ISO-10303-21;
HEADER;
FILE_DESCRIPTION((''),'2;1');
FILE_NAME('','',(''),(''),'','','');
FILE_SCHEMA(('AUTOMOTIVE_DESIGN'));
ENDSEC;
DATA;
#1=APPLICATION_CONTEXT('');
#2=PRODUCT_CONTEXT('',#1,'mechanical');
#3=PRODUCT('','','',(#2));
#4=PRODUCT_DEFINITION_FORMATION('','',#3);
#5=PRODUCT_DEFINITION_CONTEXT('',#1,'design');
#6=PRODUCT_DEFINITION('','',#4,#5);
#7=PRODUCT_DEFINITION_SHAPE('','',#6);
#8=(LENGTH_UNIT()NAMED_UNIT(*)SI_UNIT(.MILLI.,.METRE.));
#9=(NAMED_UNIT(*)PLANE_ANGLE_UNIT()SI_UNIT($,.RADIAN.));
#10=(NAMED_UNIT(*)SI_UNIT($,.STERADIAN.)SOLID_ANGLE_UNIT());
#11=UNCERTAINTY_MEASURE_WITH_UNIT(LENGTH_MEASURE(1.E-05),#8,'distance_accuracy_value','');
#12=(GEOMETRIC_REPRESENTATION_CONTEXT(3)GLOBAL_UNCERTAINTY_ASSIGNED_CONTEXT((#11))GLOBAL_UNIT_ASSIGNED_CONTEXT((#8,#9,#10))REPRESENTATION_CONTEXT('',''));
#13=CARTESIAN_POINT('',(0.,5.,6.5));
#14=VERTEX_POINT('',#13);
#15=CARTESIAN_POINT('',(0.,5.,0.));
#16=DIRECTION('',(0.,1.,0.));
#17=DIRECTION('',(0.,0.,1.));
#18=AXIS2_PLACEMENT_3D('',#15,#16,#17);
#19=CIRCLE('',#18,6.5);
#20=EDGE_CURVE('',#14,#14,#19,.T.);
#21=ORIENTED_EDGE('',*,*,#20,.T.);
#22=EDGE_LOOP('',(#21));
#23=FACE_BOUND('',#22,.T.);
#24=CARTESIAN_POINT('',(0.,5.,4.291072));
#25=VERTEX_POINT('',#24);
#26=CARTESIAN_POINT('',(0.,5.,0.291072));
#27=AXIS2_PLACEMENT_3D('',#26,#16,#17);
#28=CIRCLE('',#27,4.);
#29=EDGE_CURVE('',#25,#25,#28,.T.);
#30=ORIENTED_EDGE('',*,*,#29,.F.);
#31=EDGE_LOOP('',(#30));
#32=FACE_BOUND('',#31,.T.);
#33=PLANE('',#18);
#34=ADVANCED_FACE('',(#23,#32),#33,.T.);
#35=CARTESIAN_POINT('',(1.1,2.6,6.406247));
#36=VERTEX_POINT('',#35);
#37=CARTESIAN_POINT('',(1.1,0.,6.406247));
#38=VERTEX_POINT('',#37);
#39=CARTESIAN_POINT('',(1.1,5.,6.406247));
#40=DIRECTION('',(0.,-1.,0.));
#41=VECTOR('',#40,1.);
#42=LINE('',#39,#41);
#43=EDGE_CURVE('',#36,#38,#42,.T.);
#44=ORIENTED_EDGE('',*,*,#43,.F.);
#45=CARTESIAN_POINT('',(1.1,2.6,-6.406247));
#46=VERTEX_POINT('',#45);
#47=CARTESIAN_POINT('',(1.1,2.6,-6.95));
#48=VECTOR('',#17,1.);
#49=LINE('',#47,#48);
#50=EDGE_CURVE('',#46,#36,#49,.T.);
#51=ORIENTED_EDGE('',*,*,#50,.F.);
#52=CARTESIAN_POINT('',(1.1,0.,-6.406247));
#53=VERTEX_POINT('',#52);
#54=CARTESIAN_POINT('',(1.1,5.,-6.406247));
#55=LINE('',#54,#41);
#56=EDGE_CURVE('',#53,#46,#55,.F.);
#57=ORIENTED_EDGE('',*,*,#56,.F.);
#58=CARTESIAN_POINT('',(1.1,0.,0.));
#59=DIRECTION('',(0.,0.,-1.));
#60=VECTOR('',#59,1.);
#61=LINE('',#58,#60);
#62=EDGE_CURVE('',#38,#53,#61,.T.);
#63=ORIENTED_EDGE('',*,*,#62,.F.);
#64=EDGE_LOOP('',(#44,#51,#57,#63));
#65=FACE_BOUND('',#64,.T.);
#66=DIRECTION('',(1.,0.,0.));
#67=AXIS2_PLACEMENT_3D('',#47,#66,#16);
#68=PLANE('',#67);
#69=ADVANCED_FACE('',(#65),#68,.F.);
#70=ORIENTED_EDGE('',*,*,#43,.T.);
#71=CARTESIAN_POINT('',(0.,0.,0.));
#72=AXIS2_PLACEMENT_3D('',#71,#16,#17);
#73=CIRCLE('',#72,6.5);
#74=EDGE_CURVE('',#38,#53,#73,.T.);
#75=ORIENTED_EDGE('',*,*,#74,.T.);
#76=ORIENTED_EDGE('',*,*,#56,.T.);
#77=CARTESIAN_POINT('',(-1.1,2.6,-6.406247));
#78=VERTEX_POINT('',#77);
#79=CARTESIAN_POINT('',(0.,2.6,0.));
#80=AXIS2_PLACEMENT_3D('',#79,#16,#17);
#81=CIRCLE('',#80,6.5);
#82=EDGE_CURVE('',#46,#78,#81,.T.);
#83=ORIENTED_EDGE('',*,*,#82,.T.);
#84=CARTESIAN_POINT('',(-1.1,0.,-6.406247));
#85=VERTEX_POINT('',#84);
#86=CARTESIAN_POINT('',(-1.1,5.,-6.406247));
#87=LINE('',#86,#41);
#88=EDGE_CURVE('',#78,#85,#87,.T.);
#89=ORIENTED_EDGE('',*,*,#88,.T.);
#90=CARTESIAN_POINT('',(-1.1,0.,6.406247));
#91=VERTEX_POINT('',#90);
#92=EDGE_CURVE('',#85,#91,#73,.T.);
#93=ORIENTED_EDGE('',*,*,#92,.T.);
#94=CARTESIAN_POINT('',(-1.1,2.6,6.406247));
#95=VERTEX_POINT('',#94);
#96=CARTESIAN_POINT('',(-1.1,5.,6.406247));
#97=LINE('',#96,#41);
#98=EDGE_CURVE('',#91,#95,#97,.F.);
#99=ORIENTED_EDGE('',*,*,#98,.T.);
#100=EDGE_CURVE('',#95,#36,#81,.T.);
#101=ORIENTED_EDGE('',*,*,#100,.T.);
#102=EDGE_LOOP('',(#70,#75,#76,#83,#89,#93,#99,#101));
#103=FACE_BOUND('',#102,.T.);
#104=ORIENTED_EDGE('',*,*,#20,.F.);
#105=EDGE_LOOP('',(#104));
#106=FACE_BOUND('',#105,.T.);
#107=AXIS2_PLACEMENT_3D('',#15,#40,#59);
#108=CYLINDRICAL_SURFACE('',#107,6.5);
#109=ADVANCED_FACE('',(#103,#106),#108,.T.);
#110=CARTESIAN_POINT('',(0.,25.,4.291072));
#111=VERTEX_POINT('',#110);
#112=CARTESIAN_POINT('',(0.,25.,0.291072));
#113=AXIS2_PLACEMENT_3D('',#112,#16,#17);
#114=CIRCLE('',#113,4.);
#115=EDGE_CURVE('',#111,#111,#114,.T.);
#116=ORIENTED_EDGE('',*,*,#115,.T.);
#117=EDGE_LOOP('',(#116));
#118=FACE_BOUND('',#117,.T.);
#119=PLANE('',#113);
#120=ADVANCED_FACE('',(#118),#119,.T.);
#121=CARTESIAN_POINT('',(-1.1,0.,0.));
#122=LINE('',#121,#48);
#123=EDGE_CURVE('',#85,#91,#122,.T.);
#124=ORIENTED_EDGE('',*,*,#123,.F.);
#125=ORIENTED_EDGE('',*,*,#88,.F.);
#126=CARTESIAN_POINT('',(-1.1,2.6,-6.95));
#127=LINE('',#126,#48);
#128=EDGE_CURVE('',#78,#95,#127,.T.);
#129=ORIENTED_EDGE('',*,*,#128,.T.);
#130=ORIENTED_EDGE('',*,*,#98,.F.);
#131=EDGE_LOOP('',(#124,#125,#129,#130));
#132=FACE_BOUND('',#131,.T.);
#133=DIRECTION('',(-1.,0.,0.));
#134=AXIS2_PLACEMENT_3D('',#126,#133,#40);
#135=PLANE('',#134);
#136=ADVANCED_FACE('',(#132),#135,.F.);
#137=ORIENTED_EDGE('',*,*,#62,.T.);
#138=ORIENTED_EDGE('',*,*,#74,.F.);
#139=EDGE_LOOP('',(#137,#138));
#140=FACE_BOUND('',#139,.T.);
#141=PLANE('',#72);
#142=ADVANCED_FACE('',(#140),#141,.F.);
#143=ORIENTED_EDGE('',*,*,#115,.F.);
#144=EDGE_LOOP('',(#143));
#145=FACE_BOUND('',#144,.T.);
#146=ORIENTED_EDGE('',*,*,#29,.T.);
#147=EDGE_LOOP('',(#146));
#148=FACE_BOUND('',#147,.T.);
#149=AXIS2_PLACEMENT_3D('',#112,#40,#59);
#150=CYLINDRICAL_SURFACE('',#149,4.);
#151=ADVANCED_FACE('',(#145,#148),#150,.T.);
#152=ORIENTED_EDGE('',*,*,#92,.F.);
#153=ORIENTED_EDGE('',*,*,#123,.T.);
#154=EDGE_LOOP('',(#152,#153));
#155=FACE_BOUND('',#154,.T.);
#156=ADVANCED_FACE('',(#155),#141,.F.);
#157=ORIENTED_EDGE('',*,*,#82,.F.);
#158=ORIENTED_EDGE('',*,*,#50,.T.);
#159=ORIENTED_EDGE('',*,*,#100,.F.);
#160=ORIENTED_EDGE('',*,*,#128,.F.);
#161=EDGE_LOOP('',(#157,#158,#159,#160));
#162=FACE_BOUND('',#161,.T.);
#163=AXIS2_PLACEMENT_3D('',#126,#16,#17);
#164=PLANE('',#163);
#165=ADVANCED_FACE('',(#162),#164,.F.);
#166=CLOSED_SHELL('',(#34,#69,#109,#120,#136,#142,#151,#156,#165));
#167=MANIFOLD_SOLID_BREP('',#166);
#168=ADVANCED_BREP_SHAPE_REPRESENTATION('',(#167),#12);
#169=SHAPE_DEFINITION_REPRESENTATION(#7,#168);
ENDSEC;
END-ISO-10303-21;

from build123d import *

# Parameters (mm, degrees)
SKETCH_1_R          = 6.5
EXTRUDE_1_DEPTH     = 5
SKETCH_2_W          = 2.2
SKETCH_2_H          = 2.6
CUT_EXTRUDE_1_DEPTH = 6.95
SKETCH_3_R          = 4
EXTRUDE_2_DEPTH     = 20


with BuildPart() as part:
    # Эскиз1 → Бобышка-Вытянуть1 (new body)
    with BuildSketch(Plane(origin=(0, 0, 0), x_dir=(1, 0, 0), z_dir=(0, 1, 0))):
        with Locations(Location((0, 0, 0), (0, 0, 270))):
            Circle(SKETCH_1_R)
    extrude(amount=EXTRUDE_1_DEPTH)

    # Эскиз2 → Вырез-Вытянуть1 (cut, symmetric)
    with BuildSketch(Plane.XY):
        with Locations((0, 1.3)):
            Rectangle(SKETCH_2_W, SKETCH_2_H)
    extrude(amount=CUT_EXTRUDE_1_DEPTH, both=True, mode=Mode.SUBTRACT)

    # Эскиз3 → Бобышка-Вытянуть2 (add)
    with BuildSketch(Plane(origin=(0, 5, 0), x_dir=(1, 0, 0), z_dir=(0, 1, 0))):
        with Locations(Location((0, -0.29107227, 0), (0, 0, 270))):
            Circle(SKETCH_3_R)
    extrude(amount=EXTRUDE_2_DEPTH)


solid = part.part
